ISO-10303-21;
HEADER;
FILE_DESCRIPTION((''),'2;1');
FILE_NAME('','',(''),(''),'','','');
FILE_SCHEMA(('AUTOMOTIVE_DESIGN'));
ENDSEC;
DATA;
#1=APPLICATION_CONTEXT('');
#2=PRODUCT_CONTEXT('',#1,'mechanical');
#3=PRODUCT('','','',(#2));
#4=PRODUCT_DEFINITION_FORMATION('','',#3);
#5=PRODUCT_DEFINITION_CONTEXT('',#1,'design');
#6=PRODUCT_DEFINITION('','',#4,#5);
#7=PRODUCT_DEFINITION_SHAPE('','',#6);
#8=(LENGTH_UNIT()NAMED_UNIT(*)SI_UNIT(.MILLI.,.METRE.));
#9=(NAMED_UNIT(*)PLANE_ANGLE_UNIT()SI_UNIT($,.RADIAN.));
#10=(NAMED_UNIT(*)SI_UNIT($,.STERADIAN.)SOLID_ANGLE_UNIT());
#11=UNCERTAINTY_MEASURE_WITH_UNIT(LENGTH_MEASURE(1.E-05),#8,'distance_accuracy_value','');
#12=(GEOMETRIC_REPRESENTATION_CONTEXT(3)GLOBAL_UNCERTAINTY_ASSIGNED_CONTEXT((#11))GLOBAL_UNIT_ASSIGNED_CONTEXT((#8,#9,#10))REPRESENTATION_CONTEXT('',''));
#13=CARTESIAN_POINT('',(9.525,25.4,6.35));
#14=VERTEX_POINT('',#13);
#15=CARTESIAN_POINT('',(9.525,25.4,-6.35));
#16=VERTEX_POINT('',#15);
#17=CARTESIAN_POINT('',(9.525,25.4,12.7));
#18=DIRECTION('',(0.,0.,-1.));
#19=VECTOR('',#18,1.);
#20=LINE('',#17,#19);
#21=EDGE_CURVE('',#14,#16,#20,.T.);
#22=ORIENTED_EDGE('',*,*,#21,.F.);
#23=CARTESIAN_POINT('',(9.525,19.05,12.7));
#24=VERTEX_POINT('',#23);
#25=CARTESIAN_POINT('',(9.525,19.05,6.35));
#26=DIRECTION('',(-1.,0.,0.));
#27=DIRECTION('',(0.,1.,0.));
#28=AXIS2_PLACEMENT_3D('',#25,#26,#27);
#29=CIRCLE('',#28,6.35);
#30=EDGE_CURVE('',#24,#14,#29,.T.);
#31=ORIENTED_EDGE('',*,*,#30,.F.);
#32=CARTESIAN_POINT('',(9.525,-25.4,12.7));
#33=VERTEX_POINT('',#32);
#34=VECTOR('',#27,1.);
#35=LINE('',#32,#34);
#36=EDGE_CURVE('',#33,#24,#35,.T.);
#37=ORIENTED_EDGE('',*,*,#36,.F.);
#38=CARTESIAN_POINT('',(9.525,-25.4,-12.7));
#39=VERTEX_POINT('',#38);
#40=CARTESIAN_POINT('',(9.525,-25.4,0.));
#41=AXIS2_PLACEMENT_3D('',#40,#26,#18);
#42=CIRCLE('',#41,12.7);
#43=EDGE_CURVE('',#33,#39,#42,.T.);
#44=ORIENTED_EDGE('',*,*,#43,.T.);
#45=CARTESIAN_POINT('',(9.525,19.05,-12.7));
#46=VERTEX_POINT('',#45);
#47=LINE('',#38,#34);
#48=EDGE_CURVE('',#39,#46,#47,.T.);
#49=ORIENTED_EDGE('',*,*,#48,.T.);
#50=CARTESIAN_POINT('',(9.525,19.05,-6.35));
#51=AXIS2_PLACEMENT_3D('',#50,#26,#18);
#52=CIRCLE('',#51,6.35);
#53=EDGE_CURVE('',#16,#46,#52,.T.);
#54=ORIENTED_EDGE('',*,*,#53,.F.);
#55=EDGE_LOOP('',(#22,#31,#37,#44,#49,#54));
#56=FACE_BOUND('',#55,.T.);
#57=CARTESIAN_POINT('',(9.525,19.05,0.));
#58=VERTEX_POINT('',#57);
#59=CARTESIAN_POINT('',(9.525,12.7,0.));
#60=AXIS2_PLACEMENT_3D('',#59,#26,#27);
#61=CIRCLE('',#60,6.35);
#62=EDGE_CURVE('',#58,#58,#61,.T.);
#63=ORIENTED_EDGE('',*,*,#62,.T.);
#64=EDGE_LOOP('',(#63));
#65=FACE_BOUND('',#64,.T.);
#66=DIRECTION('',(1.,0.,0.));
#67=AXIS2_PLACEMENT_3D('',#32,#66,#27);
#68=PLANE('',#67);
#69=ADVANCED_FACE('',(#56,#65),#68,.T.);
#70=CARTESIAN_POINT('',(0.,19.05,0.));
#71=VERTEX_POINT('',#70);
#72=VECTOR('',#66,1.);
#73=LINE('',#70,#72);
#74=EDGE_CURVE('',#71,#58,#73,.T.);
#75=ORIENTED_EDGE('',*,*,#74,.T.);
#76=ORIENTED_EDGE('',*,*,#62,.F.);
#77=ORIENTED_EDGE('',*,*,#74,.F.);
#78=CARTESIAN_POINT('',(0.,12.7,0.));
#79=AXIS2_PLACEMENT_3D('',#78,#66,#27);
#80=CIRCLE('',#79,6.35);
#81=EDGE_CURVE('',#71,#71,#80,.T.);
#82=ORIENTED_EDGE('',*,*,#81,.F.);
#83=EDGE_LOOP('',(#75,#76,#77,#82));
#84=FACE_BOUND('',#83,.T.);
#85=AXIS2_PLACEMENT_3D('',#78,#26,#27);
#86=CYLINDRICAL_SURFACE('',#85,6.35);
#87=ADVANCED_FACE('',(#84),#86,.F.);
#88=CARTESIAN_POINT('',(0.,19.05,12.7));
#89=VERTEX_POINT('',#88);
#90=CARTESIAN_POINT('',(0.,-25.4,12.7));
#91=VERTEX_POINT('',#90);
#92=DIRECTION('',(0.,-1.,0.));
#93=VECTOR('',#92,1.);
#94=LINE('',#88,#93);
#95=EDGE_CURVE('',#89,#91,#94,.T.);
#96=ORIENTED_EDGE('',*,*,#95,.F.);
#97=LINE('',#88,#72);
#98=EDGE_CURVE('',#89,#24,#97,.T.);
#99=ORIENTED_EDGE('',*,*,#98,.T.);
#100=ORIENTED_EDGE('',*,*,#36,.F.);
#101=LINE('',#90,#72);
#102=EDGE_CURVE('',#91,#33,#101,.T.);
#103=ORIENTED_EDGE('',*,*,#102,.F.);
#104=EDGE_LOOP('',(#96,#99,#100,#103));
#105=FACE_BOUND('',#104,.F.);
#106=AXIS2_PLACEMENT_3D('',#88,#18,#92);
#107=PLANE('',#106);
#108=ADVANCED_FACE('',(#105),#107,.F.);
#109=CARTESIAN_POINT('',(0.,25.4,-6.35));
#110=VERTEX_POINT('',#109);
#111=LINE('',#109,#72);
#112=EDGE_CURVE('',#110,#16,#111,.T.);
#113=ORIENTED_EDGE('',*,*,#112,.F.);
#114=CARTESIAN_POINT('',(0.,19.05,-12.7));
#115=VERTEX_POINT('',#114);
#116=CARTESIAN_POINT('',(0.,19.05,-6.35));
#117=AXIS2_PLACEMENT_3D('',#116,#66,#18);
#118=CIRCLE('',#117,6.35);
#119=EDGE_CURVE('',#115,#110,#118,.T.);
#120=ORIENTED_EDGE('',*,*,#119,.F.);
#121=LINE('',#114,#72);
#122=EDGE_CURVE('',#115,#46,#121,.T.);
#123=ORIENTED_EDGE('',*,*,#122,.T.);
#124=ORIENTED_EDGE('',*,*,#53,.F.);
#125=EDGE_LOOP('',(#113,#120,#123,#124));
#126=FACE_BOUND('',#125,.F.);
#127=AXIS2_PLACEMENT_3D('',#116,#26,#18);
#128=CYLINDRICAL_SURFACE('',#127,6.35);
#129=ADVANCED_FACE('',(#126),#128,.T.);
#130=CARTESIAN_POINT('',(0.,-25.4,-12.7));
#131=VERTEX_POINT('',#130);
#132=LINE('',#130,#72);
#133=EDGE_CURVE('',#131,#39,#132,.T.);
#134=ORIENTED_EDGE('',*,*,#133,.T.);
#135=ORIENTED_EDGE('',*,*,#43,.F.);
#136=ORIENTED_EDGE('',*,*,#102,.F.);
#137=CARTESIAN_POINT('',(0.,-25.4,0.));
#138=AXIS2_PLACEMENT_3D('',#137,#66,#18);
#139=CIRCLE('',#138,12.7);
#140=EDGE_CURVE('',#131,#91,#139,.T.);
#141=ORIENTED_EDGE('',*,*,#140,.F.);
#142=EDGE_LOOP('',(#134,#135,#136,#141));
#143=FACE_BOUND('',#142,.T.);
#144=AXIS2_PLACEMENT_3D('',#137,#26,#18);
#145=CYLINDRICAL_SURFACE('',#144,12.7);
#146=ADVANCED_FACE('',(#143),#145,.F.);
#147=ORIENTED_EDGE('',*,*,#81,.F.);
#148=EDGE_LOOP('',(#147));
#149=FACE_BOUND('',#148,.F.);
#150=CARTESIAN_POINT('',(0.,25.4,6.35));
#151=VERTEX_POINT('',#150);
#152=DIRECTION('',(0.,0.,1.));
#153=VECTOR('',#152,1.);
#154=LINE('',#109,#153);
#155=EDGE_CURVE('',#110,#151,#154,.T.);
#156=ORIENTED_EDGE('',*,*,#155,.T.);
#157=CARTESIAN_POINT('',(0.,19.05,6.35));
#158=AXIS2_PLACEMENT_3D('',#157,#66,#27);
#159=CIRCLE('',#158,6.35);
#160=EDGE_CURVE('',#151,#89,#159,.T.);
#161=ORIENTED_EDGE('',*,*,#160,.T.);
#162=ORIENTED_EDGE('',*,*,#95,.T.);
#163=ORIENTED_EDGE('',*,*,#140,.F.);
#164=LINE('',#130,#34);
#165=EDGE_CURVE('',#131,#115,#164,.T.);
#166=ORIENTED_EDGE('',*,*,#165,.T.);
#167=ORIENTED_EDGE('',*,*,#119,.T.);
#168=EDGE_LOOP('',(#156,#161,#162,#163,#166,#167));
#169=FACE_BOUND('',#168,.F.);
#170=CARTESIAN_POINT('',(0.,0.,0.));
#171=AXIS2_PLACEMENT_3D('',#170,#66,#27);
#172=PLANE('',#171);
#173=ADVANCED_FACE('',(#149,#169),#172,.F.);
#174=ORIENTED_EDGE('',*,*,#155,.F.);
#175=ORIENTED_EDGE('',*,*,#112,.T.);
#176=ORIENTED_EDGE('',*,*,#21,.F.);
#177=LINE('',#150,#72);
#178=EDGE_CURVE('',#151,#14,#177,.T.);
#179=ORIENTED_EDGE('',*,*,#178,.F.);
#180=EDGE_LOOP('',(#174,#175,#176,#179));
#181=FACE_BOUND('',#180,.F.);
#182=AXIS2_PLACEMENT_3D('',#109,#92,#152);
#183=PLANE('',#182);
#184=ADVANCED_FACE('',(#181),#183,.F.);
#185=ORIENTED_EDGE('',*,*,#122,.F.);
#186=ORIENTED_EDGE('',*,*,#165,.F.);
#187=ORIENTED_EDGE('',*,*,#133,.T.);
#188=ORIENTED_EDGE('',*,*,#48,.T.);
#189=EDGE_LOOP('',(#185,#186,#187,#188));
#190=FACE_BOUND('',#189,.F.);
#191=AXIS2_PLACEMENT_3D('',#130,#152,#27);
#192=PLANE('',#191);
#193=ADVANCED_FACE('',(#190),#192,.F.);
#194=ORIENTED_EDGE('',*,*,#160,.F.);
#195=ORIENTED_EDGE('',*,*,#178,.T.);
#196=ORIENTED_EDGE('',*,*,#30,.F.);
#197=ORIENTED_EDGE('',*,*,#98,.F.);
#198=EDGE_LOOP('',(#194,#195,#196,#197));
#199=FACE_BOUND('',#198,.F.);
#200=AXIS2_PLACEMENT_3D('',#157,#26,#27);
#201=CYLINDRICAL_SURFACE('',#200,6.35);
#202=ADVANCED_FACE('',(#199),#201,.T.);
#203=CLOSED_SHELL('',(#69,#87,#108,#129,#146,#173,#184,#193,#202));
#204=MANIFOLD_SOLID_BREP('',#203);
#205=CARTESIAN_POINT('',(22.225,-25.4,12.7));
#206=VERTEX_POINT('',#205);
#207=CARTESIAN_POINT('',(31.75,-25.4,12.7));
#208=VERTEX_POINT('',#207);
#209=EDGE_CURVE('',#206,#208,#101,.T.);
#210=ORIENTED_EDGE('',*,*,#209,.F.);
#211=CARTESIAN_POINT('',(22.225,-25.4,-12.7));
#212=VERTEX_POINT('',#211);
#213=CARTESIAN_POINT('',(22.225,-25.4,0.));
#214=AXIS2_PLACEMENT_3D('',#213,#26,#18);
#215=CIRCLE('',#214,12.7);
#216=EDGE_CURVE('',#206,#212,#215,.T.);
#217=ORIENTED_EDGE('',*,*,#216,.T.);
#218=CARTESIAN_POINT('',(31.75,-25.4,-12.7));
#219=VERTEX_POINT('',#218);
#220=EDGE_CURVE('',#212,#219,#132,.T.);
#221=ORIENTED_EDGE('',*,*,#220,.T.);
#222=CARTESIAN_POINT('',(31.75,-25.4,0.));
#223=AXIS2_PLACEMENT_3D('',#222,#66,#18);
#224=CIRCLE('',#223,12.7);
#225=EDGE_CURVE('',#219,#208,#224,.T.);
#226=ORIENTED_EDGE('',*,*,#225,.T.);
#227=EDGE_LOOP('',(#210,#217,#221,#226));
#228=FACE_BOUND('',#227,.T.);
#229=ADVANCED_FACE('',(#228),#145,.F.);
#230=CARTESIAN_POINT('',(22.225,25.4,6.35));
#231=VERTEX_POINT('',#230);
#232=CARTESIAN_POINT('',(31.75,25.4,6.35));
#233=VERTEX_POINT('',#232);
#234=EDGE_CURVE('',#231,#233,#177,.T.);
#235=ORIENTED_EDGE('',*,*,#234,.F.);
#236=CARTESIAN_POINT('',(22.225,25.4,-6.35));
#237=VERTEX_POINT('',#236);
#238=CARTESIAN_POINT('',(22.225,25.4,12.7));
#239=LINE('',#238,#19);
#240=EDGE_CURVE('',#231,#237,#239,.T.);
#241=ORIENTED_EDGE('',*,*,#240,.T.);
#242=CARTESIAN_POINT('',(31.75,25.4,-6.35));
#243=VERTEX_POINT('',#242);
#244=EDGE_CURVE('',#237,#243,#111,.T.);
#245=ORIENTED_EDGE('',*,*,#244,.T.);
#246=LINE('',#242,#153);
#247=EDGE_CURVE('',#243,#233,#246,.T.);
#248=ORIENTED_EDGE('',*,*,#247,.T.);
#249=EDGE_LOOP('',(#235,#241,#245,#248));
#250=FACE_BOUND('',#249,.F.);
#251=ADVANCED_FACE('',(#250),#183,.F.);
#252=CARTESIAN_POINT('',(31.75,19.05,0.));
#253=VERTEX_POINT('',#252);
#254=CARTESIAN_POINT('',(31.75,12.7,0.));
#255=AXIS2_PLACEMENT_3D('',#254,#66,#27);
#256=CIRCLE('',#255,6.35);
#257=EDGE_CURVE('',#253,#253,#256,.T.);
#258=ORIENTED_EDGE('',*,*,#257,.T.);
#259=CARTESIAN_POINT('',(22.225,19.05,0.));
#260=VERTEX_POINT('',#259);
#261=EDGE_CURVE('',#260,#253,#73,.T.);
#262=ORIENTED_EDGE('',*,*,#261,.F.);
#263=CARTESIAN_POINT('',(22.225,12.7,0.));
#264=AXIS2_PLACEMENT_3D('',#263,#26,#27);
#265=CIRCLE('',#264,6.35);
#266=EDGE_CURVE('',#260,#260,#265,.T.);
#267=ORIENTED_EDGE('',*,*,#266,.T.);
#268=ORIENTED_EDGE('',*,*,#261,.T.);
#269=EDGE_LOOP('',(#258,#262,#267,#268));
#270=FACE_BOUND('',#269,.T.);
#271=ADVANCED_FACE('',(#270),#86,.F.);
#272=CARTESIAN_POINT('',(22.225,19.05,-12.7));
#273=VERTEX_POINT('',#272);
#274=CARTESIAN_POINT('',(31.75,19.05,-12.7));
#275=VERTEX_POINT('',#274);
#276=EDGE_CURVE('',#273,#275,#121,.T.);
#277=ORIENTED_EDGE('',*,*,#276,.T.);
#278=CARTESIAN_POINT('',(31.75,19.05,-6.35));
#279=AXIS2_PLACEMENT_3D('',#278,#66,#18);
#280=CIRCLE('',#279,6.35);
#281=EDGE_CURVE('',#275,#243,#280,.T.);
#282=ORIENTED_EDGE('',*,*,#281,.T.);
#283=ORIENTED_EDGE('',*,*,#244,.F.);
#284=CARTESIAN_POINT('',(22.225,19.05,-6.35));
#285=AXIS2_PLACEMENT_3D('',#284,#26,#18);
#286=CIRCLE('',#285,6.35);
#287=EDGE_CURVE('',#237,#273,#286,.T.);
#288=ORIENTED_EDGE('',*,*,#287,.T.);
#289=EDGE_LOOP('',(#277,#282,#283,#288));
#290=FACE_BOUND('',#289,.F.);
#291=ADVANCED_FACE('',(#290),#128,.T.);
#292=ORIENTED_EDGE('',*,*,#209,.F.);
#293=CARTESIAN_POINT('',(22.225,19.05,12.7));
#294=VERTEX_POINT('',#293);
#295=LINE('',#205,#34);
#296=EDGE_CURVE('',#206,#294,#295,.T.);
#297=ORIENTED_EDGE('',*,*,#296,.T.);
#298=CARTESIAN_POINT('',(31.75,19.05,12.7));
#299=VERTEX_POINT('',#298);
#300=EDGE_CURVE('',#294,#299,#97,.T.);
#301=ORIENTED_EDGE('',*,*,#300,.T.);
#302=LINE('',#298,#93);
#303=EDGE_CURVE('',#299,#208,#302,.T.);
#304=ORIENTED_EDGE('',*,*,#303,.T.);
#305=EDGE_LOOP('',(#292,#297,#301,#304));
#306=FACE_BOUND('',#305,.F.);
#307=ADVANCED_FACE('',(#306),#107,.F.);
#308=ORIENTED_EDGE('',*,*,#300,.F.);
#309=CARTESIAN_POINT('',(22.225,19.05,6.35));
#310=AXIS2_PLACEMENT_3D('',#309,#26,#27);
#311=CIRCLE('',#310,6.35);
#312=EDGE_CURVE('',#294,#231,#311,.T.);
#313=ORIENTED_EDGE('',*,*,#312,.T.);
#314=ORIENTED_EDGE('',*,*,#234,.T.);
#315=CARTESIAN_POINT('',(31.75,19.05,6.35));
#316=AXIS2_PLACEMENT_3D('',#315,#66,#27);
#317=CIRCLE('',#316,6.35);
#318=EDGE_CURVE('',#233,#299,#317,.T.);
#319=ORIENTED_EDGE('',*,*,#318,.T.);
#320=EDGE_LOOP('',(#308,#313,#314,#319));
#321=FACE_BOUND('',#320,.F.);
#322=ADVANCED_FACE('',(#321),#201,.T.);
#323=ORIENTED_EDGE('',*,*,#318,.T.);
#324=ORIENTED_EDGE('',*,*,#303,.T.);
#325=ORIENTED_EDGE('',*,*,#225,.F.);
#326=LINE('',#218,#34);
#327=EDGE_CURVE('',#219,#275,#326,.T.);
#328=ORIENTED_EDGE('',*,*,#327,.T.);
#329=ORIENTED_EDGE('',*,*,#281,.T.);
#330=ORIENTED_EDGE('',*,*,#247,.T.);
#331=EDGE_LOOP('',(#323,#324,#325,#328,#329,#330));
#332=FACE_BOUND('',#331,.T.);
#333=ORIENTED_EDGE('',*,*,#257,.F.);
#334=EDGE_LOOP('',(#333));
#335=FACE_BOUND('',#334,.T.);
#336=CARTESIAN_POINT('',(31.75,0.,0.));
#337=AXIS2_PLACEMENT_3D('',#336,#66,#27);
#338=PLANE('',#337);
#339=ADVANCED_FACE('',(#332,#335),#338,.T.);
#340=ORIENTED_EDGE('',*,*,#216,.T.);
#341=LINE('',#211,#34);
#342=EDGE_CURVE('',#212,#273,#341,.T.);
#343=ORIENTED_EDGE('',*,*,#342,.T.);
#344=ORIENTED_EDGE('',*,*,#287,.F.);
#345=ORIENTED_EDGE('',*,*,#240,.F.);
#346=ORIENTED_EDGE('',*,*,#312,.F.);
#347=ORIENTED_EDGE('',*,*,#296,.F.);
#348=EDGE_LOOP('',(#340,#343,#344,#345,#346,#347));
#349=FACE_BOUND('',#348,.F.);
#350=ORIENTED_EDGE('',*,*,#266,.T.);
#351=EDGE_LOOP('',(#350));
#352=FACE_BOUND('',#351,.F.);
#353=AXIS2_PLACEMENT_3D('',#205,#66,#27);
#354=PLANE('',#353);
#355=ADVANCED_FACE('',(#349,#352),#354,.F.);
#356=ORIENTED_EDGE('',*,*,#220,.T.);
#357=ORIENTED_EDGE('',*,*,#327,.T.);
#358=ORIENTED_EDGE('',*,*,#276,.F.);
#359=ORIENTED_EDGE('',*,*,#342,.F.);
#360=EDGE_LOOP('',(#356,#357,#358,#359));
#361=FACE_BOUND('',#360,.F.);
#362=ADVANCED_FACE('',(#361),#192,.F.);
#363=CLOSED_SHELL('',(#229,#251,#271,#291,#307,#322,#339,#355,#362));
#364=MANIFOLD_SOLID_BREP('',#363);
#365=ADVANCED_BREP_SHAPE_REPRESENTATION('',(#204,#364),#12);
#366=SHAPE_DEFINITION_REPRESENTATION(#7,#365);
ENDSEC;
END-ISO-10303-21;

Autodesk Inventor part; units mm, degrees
ref_plane "YZ Plane" through (0, 0, 0) normal (1, 0, 0) x (0, 1, 0)
ref_plane "XZ Plane" through (0, 0, 0) normal (0, 1, 0) x (-1, 0, 0)
ref_plane "XY Plane" through (0, 0, 0) normal (0, 0, 1) x (1, 0, 0)
sketch "Sketch1" plane through (0, 0, 0) normal (1, 0, 0) x (0, 1, 0)
  line L0 (19.05, 12.7) -> (-25.4, 12.7)
  line L1 (-25.4, -12.7) -> (19.05, -12.7)
  line L2 (25.4, -6.35) -> (25.4, 6.35)
  line L3 (25.4, 12.7) -> (-25.4, -12.7) construction
  line L4 (-25.4, 12.7) -> (25.4, -12.7) construction
  circle A0 centre (12.7, 0) radius 6.35
  arc A1 (25.4, 6.35) -> (19.05, 12.7) centre (19.05, 6.35) ccw
  arc A2 (19.05, -12.7) -> (25.4, -6.35) centre (19.05, -6.35) ccw
  arc A3 (-25.4, -12.7) -> (-25.4, 12.7) centre (-25.4, 0) ccw
  point P0 (0, 0)
  dimension "d1" = 25.4
  dimension "d2" = 12.7
  dimension "d3" = 6.35
  dimension "d5" = 12.7
  dimension "d6" = 50.8
  dimension "d7" = 38.1
extrude "Extrusion1" add sketch "Sketch1" along normal blind 31.75
sketch "Sketch3" plane through (0, -25.4, 12.7) normal (0, 0, 1) x (1, 0, 0)
  line L0 (0, 44.45) -> (0, 0) projected
  line L1 (0, 0) -> (31.75, 0) projected
  line L2 (9.525, 0) -> (22.225, 0)
  line L3 (22.225, 0) -> (22.225, 50.8)
  line L4 (0, 50.8) -> (31.75, 50.8) projected
  line L5 (9.525, 0) -> (9.525, 50.8)
  line L6 (9.525, 50.8) -> (22.225, 50.8)
  point P0 (0, 25.4)
  dimension "d14" = 9.525
  dimension "d15" = 12.7
extrude "Extrusion3" cut sketch "Sketch3" against normal blind 25.4
properties part number "harness attachments"
